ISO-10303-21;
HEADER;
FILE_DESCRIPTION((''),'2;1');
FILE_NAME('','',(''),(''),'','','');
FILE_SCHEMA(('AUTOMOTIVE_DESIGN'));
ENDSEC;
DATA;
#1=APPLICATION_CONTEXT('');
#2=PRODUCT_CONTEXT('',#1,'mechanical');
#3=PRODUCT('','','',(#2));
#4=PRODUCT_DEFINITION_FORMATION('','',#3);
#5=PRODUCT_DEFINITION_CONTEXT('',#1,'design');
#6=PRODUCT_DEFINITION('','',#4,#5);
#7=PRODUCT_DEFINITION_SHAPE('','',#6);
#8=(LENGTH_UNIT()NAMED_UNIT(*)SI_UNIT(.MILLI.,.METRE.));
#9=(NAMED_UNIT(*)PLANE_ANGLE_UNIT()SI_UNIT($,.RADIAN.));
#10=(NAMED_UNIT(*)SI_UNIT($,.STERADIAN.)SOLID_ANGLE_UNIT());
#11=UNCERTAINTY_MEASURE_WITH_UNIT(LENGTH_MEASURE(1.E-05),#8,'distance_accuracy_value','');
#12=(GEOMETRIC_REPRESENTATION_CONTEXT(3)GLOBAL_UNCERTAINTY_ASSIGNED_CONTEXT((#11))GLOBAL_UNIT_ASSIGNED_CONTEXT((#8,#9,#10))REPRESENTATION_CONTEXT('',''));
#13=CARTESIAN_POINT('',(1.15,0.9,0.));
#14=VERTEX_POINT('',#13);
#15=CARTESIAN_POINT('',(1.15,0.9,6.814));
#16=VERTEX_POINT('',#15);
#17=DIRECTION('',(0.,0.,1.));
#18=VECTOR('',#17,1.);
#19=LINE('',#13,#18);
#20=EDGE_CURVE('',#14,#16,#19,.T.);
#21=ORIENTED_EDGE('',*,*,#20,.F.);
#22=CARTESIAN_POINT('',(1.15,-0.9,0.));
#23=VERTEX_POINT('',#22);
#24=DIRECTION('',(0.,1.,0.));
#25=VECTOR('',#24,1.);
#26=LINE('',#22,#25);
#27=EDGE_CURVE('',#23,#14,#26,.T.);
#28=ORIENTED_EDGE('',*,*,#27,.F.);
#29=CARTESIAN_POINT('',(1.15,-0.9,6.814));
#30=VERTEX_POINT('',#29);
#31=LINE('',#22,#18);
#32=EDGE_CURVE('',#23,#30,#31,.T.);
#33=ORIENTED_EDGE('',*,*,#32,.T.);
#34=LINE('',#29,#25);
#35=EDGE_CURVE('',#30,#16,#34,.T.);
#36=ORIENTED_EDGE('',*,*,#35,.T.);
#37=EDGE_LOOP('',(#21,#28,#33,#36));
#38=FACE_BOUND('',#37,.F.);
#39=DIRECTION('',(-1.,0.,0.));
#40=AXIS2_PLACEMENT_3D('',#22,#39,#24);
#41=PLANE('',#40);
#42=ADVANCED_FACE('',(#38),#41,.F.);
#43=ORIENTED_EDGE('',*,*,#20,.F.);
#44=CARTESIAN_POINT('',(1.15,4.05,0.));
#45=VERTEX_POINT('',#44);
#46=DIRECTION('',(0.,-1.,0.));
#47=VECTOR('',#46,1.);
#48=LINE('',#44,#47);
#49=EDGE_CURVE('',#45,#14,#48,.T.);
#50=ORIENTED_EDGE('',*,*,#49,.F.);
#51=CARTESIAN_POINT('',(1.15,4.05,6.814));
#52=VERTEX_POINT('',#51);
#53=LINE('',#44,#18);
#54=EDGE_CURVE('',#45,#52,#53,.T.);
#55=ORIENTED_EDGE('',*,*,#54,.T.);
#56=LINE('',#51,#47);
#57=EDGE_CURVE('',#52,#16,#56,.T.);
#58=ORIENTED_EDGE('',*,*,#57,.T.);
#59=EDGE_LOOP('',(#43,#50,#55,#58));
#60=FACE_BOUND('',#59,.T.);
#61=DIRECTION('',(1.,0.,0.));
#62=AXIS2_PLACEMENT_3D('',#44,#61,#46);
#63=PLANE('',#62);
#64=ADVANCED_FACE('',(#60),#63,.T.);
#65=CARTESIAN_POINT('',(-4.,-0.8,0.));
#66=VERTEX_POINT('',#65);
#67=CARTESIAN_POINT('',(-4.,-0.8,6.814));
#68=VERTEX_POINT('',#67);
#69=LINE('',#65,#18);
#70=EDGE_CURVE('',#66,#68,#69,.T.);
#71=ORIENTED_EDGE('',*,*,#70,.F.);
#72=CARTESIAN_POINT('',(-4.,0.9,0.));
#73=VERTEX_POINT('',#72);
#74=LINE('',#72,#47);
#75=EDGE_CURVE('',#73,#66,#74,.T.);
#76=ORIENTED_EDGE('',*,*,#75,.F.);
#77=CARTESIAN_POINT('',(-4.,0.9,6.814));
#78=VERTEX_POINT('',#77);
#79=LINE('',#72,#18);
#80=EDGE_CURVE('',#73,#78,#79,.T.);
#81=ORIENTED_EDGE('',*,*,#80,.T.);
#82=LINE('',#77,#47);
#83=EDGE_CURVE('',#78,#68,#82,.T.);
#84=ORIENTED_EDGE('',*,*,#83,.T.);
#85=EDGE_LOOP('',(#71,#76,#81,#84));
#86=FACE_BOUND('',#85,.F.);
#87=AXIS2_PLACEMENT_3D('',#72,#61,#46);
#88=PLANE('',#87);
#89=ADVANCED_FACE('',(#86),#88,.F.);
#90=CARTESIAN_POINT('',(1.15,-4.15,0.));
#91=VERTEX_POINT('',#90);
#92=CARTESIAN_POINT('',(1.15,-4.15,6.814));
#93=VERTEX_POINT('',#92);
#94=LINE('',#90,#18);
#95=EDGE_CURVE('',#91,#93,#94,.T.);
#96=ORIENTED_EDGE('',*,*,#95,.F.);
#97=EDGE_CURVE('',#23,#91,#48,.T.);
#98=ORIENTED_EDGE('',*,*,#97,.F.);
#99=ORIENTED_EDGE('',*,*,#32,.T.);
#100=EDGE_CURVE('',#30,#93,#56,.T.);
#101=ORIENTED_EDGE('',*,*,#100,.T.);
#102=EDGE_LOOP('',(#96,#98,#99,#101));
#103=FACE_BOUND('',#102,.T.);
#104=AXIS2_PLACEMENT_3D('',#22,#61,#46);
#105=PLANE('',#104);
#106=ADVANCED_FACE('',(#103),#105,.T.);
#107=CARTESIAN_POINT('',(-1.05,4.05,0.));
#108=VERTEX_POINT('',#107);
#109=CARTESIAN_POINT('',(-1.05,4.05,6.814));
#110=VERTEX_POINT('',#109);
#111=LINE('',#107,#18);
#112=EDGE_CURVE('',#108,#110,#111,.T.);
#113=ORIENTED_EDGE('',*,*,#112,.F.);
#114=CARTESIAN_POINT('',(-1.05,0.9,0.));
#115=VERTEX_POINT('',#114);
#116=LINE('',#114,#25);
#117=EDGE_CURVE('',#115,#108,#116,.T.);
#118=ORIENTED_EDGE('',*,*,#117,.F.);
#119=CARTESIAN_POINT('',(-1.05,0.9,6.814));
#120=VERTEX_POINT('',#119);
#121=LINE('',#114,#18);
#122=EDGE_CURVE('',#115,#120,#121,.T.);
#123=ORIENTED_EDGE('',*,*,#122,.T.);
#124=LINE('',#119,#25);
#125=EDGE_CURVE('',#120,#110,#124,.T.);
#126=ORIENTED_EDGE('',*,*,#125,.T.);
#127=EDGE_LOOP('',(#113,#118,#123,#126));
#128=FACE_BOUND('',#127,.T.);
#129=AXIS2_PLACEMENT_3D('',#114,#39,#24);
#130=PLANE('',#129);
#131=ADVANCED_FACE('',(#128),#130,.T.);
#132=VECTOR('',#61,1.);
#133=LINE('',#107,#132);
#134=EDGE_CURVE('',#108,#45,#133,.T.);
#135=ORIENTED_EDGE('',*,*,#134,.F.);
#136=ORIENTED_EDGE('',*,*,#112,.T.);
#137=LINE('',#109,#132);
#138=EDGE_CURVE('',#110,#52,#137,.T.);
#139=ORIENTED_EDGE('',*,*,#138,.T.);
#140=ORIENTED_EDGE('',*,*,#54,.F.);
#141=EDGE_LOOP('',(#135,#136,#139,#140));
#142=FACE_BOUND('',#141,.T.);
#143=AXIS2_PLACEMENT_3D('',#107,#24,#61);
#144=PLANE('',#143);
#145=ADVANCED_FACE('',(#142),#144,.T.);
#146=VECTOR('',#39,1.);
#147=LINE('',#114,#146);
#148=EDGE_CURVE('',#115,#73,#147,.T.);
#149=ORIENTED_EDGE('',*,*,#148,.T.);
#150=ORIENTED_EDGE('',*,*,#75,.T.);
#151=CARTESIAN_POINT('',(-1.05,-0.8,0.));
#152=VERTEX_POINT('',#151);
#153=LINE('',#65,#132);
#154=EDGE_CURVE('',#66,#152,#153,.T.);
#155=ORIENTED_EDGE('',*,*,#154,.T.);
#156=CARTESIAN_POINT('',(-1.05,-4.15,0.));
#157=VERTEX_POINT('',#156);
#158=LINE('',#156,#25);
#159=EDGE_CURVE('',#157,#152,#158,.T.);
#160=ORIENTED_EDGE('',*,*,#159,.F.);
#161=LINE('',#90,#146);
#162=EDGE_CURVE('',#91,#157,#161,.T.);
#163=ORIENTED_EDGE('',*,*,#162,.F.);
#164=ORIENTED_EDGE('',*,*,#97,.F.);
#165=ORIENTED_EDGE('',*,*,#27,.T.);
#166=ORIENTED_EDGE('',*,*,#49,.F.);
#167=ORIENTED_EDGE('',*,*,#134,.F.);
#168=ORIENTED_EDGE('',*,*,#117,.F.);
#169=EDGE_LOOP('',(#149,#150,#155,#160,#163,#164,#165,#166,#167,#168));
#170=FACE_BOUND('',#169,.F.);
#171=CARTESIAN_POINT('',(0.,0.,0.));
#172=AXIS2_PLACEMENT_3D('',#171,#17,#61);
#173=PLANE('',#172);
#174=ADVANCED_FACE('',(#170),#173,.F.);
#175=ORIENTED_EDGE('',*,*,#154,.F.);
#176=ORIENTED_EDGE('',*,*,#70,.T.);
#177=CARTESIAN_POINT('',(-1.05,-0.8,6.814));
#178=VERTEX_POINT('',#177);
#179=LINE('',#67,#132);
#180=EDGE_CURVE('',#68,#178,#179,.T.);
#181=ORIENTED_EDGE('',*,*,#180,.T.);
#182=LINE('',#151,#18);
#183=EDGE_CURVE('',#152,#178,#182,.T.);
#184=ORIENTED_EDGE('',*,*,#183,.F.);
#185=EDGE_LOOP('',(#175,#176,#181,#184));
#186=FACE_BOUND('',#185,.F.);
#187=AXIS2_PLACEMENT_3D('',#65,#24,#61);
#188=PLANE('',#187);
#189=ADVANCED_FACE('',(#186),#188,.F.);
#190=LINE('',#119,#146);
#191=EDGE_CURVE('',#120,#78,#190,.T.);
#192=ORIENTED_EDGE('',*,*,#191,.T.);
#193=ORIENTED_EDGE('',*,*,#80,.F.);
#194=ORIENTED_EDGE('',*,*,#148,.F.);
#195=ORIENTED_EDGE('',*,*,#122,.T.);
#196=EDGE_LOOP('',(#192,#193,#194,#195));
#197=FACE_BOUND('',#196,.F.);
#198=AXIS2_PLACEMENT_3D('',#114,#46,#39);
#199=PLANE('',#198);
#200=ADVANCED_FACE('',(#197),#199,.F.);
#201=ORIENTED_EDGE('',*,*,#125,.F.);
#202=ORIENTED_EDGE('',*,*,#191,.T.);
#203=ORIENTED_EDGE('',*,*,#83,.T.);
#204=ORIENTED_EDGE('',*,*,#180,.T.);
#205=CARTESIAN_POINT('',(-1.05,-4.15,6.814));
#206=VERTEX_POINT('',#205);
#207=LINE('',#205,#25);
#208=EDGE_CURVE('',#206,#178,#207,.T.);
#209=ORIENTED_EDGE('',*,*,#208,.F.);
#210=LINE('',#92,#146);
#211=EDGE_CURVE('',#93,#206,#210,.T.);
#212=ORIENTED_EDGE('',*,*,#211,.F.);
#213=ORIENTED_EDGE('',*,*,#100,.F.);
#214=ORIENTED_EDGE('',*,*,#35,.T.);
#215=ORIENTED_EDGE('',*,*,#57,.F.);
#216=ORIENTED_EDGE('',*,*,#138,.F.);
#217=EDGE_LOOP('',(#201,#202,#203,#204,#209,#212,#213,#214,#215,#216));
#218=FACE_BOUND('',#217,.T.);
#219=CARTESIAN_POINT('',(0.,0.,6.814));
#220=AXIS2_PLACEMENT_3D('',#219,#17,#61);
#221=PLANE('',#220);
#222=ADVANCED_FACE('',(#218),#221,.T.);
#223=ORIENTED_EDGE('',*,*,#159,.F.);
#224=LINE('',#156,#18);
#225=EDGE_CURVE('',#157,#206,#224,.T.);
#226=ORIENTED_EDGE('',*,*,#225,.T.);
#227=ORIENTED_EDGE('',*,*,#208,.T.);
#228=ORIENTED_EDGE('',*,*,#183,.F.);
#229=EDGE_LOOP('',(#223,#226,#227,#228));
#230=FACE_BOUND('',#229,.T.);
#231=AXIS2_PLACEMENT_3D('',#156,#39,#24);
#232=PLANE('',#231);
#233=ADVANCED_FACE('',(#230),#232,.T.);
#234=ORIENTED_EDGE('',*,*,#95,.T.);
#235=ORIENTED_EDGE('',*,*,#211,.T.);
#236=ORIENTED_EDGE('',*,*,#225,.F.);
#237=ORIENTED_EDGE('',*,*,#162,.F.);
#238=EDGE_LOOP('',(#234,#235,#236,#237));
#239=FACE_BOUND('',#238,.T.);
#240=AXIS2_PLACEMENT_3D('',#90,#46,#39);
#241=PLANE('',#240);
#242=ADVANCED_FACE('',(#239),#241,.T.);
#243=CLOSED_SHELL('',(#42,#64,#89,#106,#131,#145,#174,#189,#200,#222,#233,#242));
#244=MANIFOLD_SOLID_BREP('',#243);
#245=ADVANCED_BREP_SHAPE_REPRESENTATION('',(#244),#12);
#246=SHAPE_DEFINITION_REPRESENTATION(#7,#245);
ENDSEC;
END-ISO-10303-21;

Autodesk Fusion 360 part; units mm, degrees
sketch "Sketch1" plane through (0, 0, 0) normal (0, 0, 1) x (1, 0, 0)
  line L0 (-1.05, 4.05) -> (1.15, 4.05)
  line L1 (1.15, 4.05) -> (1.15, -4.15)
  line L2 (1.15, -4.15) -> (-1.05, -4.15)
  line L3 (-1.05, 0.9) -> (-4, 0.9)
  line L4 (-4, 0.9) -> (-4, -0.8)
  line L5 (-4, -0.8) -> (-1.05, -0.8)
  line L6 (1.15, -0.9) -> (1.15, 0.9)
  line L7 (-1.05, -4.15) -> (-1.05, -0.8)
  line L8 (-1.05, 0.9) -> (-1.05, 4.05)
  dimension "d1" = 2.2
  dimension "d2" = 8.2
  dimension "d4" = 4.15
  dimension "d5" = 1.15
  dimension "d6" = 1.7
  dimension "d7" = 0.9
  dimension "d12" = 4
extrude "Extrude1" add sketch "Sketch1" along normal blind 6.814
equation "d1 = 2.5 mm - 0.3 mm"
equation "d2 = 8.60 mm - 0.4 mm"
equation "d4 = ( 8.3 / 2 ) * 1 mm"
equation "d5 = ( 2.3 / 2 ) * 1 mm"
equation "d6 = 2 mm - 0.3 mm"
equation "d7 = ( 1.8 / 2 ) * 1 mm"
equation "d10 = 6.964 mm - 0.15 mm"
equation "d12 = 4.3 mm - 0.3 mm"
